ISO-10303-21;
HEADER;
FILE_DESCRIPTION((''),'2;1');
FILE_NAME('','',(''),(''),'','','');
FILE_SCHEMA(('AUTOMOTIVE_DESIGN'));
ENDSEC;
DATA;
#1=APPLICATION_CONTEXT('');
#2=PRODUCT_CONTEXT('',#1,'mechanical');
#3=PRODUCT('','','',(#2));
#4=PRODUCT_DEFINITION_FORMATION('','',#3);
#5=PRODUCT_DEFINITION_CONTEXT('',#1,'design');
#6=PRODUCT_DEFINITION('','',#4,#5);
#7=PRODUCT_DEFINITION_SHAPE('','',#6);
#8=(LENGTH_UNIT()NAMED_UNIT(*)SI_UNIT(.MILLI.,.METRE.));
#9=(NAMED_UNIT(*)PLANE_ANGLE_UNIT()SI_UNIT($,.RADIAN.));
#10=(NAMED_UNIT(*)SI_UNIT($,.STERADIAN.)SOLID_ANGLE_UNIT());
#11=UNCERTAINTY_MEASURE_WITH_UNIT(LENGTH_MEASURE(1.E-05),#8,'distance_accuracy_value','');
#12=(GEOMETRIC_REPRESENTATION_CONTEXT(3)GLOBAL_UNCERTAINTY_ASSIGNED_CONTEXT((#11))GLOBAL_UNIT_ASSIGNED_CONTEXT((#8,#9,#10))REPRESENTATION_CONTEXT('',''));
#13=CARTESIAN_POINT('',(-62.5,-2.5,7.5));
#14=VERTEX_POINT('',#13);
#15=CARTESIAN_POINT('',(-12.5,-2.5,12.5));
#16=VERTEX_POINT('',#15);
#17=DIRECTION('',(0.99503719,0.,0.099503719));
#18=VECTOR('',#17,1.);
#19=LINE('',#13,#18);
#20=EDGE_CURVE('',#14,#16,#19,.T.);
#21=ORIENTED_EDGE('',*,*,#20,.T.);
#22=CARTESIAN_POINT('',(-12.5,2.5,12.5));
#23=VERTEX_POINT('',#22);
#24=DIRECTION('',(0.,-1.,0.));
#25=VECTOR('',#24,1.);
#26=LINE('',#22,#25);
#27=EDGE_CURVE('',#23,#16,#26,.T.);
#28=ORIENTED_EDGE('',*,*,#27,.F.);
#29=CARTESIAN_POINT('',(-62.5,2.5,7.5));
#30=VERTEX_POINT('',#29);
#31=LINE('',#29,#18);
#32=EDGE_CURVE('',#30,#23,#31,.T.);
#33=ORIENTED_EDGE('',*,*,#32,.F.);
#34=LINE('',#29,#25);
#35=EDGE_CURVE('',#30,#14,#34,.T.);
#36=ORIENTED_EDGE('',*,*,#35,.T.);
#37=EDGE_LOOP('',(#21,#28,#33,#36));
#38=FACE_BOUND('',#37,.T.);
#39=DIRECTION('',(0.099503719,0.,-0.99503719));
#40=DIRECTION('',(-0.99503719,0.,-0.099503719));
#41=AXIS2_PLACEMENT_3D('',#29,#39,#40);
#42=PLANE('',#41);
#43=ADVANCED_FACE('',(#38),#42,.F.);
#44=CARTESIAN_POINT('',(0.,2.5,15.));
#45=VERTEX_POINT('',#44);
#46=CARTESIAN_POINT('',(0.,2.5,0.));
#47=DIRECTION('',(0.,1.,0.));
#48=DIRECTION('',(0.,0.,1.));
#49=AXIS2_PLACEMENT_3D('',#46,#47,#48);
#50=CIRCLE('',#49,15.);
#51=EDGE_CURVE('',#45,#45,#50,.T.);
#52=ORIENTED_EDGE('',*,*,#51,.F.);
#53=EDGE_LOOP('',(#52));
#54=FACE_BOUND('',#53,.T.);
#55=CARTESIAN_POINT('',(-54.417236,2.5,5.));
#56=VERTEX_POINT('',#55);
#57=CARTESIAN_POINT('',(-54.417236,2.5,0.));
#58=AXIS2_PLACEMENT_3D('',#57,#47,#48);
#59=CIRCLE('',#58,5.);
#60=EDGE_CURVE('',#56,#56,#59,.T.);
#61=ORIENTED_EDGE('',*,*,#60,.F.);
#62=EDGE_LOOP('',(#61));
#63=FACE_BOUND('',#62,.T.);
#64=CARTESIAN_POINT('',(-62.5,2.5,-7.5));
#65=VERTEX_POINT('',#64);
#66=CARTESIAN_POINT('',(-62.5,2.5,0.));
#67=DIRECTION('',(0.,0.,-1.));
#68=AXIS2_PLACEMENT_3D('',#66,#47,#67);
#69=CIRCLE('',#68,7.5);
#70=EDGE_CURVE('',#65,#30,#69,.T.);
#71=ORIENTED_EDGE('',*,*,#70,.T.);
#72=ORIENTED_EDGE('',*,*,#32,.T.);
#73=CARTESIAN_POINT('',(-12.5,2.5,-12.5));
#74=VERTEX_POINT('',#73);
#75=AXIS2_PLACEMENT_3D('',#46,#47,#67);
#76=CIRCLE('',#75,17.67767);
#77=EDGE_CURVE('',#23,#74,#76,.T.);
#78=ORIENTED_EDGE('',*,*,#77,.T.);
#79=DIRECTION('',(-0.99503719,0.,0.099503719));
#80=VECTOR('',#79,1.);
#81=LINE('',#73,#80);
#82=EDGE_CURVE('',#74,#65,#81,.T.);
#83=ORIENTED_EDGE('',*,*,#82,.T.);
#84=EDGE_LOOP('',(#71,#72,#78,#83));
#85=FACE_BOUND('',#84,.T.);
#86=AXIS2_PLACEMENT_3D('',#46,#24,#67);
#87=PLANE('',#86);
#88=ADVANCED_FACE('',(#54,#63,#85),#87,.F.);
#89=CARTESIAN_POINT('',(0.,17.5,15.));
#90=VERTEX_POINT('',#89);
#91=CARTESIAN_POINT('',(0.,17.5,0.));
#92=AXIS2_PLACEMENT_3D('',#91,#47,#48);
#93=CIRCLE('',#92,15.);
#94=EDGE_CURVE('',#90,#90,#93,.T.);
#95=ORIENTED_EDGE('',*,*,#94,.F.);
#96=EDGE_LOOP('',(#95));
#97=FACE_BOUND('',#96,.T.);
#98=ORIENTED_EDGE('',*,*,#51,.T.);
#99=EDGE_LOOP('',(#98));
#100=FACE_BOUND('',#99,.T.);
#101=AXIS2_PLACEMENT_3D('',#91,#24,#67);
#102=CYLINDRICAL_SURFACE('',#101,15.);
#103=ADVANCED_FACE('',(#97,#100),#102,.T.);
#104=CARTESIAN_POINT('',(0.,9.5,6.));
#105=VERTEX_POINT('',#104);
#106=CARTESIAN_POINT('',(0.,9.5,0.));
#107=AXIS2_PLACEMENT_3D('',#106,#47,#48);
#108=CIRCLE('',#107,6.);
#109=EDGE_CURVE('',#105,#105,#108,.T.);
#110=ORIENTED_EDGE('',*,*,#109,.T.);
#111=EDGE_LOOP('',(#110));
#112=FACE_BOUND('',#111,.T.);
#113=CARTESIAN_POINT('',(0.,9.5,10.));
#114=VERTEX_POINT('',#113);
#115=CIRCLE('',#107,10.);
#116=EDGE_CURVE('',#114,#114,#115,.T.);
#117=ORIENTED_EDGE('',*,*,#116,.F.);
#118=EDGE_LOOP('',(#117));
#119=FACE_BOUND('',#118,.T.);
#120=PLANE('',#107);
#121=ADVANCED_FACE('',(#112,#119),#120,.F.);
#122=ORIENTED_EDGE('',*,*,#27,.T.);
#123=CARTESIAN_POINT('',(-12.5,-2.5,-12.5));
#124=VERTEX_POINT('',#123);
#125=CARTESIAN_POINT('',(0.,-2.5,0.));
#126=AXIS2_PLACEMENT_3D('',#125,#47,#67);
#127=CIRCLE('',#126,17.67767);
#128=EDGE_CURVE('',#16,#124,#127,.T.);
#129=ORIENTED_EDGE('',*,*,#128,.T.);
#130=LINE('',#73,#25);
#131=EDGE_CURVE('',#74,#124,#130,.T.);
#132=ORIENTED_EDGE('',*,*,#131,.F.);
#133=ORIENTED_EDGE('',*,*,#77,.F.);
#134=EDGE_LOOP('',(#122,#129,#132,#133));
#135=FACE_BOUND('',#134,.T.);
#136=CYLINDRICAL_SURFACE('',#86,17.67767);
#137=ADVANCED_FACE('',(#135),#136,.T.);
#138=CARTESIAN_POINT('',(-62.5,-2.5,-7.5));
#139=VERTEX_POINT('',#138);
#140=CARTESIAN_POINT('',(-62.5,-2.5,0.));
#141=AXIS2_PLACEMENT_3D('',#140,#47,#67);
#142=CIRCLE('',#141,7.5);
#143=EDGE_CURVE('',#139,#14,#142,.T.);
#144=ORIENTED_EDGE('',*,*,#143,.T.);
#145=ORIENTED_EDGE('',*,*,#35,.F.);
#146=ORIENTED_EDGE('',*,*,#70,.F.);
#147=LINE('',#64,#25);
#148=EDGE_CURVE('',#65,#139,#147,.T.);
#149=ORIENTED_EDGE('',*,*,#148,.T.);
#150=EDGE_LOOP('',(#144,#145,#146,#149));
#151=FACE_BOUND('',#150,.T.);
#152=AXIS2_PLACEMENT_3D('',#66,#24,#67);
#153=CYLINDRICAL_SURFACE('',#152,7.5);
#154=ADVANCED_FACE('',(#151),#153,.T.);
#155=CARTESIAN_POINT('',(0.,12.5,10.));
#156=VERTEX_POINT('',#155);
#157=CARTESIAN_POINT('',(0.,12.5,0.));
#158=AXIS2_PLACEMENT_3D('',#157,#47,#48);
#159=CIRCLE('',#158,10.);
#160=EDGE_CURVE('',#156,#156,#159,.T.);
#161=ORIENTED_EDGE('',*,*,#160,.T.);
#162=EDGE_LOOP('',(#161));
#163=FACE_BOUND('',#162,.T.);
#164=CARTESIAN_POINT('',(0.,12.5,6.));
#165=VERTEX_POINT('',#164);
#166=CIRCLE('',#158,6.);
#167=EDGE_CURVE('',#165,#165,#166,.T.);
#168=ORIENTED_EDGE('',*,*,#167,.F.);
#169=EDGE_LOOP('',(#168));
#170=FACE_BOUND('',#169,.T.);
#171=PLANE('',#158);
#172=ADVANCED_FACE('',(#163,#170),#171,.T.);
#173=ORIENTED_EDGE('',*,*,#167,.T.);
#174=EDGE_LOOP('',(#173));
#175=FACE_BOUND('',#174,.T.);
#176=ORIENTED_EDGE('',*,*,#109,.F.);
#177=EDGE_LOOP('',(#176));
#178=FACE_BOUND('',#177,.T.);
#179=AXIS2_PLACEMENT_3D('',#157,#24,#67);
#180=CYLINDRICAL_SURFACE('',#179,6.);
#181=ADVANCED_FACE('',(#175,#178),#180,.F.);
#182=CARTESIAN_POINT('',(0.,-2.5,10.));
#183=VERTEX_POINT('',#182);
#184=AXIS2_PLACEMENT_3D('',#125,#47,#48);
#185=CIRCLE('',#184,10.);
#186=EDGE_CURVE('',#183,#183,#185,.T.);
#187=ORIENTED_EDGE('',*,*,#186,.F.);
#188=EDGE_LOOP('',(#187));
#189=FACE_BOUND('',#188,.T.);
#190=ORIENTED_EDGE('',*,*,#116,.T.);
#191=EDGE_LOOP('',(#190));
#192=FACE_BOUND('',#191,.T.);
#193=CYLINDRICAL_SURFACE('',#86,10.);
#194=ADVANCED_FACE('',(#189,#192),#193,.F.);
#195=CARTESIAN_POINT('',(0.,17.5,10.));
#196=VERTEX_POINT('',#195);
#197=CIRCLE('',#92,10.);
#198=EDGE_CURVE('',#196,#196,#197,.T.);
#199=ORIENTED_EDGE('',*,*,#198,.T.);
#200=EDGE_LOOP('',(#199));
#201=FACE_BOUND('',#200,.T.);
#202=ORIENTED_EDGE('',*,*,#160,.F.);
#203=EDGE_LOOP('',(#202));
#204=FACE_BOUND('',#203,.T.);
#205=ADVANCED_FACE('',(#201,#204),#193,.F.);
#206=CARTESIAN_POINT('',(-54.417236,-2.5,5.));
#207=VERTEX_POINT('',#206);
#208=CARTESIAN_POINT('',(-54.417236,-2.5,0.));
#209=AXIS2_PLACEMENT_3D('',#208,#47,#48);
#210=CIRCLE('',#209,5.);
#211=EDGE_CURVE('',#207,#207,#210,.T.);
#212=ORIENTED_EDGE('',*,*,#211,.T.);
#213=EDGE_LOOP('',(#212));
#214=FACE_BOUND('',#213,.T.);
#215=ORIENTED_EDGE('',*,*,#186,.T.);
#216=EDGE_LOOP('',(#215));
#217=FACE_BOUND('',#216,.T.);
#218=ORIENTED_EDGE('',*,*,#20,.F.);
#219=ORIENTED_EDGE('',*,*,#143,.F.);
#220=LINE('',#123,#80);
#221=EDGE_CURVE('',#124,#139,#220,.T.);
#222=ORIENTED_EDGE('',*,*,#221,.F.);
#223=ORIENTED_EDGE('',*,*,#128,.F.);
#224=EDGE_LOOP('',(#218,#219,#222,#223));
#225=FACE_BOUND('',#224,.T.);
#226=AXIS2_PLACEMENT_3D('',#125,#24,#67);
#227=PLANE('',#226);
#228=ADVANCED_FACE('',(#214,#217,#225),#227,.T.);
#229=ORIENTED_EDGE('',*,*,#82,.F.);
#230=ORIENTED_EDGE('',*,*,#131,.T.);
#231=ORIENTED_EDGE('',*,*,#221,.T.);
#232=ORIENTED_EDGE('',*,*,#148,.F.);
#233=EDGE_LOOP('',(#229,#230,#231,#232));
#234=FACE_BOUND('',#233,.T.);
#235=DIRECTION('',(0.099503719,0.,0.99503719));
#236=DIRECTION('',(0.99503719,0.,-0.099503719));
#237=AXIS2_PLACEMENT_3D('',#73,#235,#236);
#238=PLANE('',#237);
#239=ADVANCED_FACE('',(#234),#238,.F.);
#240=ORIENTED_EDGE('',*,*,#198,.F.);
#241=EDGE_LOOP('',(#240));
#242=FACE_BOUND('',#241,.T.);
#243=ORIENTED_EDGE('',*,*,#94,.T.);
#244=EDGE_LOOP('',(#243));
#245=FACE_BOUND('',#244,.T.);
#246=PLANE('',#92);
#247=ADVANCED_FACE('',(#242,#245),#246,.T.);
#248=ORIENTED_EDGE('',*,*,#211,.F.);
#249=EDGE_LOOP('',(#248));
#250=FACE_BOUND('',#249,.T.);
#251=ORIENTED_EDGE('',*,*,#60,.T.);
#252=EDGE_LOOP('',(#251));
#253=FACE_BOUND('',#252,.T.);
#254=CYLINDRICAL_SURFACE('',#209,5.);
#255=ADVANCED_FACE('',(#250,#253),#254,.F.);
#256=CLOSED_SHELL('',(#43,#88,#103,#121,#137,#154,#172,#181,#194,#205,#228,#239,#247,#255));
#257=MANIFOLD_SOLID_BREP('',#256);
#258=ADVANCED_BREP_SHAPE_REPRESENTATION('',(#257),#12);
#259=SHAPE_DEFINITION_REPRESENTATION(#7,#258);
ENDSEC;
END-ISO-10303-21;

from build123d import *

# Parameters (mm, degrees)
SKETCH1_R           = 10
BOSS_EXTRUDE1_DEPTH = 2.5
SKETCH2_R           = 15
SKETCH2_R_2         = 10
BOSS_EXTRUDE2_DEPTH = 15
SKETCH3_R           = 5
CUT_EXTRUDE1_DEPTH  = 74.739406019
BOSS_EXTRUDE3_START = 9.5
SKETCH4_R           = 10
SKETCH4_R_2         = 6
BOSS_EXTRUDE3_DEPTH = 3


with BuildPart() as part:
    # Sketch1 → Boss-Extrude1 (new, symmetric)
    with BuildSketch(Plane(origin=(0, 0, 0), x_dir=(1, 0, 0), z_dir=(0, 1, 0))):
        with BuildLine():
            Line((-12.5, 12.5), (-62.5, 7.5))
            ThreePointArc((-62.5, 7.5), (-70, 0), (-62.5, -7.5))
            Line((-62.5, -7.5), (-12.5, -12.5))
            ThreePointArc((-12.5, -12.5), (17.67766953, 0), (-12.5, 12.5))
        make_face()
        with Locations(Location((0, 0, 0), (0, 0, 270))):
            Circle(SKETCH1_R, mode=Mode.SUBTRACT)
    extrude(amount=BOSS_EXTRUDE1_DEPTH, both=True)

    # Sketch2 → Boss-Extrude2 (add)
    with BuildSketch(Plane(origin=(0, 2.5, 0), x_dir=(1, 0, 0), z_dir=(0, 1, 0))):
        with Locations(Location((0, 0, 0), (0, 0, 270))):
            Circle(SKETCH2_R)
        with Locations(Location((0, 0, 0), (0, 0, 270))):
            Circle(SKETCH2_R_2, mode=Mode.SUBTRACT)
    extrude(amount=BOSS_EXTRUDE2_DEPTH)

    # Sketch3 → Cut-Extrude1 (cut, through all)
    with BuildSketch(Plane(origin=(0, 2.5, 0), x_dir=(1, 0, 0), z_dir=(0, 1, 0))):
        with Locations(Location((-54.417236445, 0, 0), (0, 0, 270))):
            Circle(SKETCH3_R)
    extrude(amount=-CUT_EXTRUDE1_DEPTH, mode=Mode.SUBTRACT)

    # Sketch4 → Boss-Extrude3 (add)
    with BuildSketch(Plane(origin=(0, 0, 0), x_dir=(1, 0, 0), z_dir=(0, 1, 0)).offset(BOSS_EXTRUDE3_START)):
        with Locations(Location((0, 0, 0), (0, 0, 270))):
            Circle(SKETCH4_R)
        with Locations(Location((0, 0, 0), (0, 0, 270))):
            Circle(SKETCH4_R_2, mode=Mode.SUBTRACT)
    extrude(amount=BOSS_EXTRUDE3_DEPTH)


solid = part.part
